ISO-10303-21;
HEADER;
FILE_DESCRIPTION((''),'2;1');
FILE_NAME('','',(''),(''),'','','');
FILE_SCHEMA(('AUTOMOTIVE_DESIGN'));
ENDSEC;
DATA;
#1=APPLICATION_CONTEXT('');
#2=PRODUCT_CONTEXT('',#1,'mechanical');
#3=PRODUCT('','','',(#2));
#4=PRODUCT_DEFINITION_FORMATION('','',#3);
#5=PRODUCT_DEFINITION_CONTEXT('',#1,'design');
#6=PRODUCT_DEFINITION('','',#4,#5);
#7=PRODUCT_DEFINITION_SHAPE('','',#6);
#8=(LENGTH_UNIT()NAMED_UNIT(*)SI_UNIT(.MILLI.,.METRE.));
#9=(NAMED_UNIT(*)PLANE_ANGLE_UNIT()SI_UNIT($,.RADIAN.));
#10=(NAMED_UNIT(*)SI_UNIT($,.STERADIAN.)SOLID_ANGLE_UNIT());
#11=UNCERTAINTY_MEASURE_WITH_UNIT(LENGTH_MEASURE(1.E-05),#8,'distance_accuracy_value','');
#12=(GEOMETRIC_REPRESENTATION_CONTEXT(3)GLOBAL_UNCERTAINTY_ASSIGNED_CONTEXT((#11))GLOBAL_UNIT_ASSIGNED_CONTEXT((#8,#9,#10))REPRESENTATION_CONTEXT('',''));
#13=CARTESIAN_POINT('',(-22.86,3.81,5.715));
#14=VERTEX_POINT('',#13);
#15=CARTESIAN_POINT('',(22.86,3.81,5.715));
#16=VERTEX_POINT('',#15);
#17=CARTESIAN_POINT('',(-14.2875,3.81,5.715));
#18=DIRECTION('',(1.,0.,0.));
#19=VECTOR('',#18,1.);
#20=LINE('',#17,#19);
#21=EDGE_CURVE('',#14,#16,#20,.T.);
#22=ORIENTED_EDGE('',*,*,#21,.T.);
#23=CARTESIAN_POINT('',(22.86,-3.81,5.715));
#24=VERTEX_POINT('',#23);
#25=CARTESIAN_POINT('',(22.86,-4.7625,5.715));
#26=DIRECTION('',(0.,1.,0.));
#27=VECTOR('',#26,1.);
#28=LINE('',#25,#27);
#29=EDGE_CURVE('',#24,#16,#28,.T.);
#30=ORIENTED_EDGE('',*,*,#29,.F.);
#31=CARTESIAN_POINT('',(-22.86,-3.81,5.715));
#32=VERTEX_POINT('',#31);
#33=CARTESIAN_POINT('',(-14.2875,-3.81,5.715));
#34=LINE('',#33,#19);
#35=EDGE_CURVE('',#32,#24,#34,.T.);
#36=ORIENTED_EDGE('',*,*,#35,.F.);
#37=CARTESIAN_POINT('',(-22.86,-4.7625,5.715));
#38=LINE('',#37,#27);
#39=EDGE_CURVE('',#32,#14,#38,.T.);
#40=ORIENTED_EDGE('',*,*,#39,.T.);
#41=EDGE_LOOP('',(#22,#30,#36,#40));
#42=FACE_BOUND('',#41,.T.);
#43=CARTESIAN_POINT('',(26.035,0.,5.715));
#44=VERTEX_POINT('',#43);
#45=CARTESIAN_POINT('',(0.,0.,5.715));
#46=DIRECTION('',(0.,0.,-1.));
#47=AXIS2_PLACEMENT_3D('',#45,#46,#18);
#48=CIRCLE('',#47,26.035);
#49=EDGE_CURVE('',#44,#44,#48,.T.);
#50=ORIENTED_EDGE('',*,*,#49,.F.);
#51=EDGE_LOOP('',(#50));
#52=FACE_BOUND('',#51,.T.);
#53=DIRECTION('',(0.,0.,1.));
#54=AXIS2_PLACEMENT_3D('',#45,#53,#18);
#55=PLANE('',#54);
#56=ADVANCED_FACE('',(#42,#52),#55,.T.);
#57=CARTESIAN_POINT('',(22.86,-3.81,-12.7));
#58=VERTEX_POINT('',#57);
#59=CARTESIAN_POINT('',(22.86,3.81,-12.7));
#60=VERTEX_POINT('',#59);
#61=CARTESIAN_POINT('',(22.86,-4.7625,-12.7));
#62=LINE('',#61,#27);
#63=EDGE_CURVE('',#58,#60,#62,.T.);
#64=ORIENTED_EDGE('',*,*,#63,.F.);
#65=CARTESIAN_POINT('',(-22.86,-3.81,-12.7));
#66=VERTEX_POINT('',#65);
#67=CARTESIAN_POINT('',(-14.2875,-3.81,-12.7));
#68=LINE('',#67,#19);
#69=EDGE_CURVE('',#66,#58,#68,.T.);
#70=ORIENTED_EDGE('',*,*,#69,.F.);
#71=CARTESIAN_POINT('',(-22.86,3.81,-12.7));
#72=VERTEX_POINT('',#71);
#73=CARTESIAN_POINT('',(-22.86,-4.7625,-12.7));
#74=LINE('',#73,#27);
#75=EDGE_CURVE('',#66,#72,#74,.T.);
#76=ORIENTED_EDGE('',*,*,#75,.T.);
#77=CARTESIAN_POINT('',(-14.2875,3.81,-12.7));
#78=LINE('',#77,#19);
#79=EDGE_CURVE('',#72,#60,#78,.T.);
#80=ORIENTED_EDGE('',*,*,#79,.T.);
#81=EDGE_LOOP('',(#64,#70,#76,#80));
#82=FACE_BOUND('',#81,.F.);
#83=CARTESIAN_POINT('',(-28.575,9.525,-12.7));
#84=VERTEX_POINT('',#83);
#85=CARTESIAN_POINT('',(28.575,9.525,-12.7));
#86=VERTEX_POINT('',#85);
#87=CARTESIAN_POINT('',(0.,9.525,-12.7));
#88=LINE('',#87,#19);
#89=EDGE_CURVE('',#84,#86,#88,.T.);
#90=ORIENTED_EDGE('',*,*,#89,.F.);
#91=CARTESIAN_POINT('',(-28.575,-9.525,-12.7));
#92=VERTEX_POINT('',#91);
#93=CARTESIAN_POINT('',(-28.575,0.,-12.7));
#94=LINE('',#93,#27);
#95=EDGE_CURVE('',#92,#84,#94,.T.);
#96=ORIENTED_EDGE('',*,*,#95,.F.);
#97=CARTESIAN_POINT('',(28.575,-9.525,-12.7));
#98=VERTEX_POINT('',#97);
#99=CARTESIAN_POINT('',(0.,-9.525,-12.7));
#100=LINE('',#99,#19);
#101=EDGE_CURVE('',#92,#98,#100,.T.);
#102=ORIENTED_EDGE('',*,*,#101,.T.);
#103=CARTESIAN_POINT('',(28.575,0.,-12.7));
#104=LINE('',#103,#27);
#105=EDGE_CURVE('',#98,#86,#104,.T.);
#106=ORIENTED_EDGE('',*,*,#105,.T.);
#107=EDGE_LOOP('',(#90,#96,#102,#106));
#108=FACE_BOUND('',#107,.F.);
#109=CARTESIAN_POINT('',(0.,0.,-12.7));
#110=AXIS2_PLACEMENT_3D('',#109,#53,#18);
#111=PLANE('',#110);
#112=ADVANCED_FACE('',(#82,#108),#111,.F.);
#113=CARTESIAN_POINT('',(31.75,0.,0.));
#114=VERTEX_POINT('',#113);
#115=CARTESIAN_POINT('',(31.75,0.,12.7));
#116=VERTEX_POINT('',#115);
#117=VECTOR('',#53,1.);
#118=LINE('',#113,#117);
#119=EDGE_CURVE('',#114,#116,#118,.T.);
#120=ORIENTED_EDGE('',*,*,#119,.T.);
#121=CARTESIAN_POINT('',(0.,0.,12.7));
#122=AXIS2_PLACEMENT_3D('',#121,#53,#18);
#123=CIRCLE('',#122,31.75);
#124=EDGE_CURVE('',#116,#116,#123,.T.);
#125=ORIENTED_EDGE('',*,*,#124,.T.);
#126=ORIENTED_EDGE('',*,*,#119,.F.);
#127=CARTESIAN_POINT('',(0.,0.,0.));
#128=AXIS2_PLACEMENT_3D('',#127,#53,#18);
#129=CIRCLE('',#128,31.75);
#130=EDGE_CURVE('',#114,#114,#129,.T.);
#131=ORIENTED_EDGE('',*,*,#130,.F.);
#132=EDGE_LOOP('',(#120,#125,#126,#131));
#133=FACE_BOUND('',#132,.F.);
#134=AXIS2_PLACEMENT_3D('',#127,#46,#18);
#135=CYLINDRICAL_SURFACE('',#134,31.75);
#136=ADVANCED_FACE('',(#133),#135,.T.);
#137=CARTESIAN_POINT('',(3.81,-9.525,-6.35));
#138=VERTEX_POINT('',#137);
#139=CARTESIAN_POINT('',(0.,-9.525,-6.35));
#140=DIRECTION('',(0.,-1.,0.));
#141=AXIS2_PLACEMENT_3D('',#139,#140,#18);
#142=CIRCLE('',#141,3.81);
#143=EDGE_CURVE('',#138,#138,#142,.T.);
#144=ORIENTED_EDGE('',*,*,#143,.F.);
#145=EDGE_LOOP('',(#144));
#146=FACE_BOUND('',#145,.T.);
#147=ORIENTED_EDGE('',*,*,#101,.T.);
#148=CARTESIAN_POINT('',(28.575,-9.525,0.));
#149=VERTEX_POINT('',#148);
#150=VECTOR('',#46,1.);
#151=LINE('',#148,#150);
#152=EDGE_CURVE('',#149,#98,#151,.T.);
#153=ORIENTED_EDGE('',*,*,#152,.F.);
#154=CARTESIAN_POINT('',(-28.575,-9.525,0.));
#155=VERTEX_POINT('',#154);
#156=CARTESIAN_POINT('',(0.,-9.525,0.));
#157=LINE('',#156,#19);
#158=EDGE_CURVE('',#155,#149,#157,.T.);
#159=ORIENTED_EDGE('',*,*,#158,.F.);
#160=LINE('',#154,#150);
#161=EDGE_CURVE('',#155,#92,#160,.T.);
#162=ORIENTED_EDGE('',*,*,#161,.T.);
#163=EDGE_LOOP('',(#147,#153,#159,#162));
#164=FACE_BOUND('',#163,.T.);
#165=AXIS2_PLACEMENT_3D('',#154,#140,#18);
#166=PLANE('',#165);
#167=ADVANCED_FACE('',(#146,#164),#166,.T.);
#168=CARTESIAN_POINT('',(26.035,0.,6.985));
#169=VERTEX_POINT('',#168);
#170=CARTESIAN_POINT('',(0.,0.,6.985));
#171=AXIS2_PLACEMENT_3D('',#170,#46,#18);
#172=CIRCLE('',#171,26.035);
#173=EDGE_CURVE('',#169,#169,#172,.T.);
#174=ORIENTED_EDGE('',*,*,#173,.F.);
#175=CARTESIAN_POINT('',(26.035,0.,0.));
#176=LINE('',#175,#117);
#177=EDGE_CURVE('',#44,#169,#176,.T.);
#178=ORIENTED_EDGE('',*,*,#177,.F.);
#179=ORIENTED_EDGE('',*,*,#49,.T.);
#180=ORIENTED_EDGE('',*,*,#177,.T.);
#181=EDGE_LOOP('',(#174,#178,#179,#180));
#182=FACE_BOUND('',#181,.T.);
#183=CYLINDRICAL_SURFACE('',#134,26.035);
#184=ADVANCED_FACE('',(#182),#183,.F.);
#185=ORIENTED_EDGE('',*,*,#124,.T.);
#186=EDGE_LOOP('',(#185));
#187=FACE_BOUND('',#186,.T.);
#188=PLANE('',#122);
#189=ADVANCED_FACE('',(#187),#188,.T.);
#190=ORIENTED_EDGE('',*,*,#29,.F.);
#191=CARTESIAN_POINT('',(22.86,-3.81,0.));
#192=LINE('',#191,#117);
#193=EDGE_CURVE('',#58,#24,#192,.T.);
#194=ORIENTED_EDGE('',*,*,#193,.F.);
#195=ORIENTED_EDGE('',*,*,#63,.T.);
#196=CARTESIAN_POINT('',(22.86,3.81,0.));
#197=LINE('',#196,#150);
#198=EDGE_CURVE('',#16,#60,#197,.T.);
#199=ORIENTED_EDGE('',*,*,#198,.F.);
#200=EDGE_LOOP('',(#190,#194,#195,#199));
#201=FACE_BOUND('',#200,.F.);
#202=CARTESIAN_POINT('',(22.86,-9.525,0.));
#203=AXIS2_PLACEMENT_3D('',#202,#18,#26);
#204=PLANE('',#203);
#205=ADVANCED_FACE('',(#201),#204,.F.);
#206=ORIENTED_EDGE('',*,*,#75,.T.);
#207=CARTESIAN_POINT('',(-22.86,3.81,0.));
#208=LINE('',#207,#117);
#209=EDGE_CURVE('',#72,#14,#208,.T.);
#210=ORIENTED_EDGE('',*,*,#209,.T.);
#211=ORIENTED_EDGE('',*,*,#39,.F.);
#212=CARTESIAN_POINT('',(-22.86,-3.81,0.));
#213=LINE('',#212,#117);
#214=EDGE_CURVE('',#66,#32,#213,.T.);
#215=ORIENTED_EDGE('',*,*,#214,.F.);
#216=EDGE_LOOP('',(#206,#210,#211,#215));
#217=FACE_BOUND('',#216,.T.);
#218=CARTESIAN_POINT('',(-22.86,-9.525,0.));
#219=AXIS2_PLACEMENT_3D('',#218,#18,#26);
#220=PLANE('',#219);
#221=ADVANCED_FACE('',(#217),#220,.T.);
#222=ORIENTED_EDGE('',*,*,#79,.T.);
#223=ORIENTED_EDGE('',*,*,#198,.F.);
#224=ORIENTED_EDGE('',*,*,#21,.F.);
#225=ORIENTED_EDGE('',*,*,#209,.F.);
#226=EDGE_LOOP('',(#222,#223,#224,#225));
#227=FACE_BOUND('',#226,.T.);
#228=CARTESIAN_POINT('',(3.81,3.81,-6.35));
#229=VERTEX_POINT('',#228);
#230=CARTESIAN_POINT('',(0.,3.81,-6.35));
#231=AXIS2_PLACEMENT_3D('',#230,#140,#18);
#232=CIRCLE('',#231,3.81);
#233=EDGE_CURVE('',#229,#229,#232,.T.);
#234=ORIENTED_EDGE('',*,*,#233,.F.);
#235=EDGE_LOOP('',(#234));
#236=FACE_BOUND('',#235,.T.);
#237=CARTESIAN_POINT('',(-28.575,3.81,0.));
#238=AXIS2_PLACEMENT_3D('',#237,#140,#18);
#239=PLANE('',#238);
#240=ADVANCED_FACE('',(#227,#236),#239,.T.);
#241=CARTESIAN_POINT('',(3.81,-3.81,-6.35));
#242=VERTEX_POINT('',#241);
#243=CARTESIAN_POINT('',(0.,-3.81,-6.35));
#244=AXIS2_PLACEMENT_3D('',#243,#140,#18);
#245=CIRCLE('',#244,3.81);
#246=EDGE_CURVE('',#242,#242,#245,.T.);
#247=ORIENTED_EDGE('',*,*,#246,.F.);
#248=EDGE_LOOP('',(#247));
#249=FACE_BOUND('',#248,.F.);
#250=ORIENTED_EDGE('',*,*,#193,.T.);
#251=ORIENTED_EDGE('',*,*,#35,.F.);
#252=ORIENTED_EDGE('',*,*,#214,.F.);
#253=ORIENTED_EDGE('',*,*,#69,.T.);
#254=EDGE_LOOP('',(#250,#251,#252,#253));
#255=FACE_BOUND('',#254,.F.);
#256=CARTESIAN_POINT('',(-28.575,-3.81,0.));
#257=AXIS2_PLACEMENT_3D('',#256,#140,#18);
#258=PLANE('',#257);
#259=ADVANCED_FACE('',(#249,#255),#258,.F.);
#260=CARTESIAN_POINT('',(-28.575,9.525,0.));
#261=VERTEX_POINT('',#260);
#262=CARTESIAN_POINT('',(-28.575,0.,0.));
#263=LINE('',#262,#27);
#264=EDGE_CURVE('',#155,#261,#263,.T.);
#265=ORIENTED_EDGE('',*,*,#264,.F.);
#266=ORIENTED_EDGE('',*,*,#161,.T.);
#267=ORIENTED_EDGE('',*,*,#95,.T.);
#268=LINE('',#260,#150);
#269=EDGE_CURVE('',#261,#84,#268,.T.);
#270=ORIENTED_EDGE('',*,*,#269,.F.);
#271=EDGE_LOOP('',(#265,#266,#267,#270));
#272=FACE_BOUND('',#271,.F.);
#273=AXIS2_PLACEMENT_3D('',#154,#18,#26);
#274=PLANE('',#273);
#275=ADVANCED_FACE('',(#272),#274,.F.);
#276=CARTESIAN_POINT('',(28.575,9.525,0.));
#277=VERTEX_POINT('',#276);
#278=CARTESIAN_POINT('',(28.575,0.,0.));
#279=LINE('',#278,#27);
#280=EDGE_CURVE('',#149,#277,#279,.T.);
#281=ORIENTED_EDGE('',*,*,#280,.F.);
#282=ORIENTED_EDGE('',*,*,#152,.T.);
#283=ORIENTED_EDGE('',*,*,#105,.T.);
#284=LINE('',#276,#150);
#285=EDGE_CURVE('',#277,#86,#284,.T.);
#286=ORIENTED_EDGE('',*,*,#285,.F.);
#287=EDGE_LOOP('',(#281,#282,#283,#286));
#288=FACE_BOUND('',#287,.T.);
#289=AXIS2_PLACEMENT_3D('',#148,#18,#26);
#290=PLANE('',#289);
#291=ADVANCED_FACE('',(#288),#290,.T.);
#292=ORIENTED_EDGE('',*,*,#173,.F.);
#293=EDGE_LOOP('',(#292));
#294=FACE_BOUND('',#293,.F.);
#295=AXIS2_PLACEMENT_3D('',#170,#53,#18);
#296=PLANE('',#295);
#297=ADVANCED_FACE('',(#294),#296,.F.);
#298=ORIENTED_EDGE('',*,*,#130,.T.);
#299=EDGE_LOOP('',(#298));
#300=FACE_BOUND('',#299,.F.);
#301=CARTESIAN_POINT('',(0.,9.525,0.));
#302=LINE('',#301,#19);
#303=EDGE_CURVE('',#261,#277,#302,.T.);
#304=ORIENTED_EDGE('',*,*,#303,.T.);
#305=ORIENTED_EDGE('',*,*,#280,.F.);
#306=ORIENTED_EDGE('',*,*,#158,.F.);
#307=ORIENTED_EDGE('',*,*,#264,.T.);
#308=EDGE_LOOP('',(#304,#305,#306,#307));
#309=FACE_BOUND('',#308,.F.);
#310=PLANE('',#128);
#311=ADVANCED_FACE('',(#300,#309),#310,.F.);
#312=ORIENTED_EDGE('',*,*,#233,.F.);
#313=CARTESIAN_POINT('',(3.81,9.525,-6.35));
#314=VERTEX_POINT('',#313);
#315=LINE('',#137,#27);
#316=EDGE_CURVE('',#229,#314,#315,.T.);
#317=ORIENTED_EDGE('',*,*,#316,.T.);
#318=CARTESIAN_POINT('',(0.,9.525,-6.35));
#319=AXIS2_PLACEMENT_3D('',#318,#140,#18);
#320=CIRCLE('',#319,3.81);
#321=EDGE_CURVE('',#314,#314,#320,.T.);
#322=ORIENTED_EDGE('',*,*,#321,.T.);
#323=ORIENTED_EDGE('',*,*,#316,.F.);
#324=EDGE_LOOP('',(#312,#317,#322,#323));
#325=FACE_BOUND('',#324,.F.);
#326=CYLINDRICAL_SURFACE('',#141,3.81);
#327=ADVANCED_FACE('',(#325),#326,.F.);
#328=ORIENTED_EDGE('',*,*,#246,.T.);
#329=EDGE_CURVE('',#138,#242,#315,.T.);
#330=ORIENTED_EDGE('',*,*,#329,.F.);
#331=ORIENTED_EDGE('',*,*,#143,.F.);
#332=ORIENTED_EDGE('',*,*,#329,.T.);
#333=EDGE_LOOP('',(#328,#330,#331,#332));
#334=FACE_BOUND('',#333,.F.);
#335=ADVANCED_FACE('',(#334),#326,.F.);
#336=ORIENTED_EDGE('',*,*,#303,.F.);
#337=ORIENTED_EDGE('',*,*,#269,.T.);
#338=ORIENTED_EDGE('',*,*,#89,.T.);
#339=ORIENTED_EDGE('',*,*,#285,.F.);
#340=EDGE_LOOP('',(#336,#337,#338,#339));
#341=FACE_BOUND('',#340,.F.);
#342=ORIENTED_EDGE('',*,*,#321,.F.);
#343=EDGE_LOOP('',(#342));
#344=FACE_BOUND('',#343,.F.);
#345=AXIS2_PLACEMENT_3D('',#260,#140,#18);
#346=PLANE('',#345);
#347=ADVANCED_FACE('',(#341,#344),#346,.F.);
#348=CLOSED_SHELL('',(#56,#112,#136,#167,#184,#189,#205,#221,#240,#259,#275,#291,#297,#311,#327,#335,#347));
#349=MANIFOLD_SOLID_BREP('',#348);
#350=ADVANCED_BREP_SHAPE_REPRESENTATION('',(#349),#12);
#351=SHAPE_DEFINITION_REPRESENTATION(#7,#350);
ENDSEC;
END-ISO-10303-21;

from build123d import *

# Parameters (mm, degrees)
F0_R     = 31.75
F1_DEPTH = 12.7
F2_W     = 57.15
F2_H     = 19.05
F3_DEPTH = 12.7
F4_T     = -5.715
F5_R     = 3.81
F6_DEPTH = 41.276


with BuildPart() as f1:
    # F0 (on Top) → F1 (new body)
    with BuildSketch(Plane.XY):
        Circle(F0_R)
    extrude(amount=F1_DEPTH)

    # F2 (on Top) → F3 (join)
    with BuildSketch(Plane.XY):
        Rectangle(F2_W, F2_H)
    extrude(amount=-F3_DEPTH)

    # F4
    f4_openings = [f1.faces().sort_by_distance(p)[0] for p in [
        (0, 0, -12.7),
    ]]
    offset(amount=F4_T, openings=f4_openings, kind=Kind.INTERSECTION)

    # F5 (on face) → F6 (cut, through all)
    with BuildSketch(Plane.XZ.offset(9.525)):
        with Locations((0, -6.35)):
            Circle(F5_R)
    extrude(amount=-F6_DEPTH, mode=Mode.SUBTRACT)


solid = f1.part
